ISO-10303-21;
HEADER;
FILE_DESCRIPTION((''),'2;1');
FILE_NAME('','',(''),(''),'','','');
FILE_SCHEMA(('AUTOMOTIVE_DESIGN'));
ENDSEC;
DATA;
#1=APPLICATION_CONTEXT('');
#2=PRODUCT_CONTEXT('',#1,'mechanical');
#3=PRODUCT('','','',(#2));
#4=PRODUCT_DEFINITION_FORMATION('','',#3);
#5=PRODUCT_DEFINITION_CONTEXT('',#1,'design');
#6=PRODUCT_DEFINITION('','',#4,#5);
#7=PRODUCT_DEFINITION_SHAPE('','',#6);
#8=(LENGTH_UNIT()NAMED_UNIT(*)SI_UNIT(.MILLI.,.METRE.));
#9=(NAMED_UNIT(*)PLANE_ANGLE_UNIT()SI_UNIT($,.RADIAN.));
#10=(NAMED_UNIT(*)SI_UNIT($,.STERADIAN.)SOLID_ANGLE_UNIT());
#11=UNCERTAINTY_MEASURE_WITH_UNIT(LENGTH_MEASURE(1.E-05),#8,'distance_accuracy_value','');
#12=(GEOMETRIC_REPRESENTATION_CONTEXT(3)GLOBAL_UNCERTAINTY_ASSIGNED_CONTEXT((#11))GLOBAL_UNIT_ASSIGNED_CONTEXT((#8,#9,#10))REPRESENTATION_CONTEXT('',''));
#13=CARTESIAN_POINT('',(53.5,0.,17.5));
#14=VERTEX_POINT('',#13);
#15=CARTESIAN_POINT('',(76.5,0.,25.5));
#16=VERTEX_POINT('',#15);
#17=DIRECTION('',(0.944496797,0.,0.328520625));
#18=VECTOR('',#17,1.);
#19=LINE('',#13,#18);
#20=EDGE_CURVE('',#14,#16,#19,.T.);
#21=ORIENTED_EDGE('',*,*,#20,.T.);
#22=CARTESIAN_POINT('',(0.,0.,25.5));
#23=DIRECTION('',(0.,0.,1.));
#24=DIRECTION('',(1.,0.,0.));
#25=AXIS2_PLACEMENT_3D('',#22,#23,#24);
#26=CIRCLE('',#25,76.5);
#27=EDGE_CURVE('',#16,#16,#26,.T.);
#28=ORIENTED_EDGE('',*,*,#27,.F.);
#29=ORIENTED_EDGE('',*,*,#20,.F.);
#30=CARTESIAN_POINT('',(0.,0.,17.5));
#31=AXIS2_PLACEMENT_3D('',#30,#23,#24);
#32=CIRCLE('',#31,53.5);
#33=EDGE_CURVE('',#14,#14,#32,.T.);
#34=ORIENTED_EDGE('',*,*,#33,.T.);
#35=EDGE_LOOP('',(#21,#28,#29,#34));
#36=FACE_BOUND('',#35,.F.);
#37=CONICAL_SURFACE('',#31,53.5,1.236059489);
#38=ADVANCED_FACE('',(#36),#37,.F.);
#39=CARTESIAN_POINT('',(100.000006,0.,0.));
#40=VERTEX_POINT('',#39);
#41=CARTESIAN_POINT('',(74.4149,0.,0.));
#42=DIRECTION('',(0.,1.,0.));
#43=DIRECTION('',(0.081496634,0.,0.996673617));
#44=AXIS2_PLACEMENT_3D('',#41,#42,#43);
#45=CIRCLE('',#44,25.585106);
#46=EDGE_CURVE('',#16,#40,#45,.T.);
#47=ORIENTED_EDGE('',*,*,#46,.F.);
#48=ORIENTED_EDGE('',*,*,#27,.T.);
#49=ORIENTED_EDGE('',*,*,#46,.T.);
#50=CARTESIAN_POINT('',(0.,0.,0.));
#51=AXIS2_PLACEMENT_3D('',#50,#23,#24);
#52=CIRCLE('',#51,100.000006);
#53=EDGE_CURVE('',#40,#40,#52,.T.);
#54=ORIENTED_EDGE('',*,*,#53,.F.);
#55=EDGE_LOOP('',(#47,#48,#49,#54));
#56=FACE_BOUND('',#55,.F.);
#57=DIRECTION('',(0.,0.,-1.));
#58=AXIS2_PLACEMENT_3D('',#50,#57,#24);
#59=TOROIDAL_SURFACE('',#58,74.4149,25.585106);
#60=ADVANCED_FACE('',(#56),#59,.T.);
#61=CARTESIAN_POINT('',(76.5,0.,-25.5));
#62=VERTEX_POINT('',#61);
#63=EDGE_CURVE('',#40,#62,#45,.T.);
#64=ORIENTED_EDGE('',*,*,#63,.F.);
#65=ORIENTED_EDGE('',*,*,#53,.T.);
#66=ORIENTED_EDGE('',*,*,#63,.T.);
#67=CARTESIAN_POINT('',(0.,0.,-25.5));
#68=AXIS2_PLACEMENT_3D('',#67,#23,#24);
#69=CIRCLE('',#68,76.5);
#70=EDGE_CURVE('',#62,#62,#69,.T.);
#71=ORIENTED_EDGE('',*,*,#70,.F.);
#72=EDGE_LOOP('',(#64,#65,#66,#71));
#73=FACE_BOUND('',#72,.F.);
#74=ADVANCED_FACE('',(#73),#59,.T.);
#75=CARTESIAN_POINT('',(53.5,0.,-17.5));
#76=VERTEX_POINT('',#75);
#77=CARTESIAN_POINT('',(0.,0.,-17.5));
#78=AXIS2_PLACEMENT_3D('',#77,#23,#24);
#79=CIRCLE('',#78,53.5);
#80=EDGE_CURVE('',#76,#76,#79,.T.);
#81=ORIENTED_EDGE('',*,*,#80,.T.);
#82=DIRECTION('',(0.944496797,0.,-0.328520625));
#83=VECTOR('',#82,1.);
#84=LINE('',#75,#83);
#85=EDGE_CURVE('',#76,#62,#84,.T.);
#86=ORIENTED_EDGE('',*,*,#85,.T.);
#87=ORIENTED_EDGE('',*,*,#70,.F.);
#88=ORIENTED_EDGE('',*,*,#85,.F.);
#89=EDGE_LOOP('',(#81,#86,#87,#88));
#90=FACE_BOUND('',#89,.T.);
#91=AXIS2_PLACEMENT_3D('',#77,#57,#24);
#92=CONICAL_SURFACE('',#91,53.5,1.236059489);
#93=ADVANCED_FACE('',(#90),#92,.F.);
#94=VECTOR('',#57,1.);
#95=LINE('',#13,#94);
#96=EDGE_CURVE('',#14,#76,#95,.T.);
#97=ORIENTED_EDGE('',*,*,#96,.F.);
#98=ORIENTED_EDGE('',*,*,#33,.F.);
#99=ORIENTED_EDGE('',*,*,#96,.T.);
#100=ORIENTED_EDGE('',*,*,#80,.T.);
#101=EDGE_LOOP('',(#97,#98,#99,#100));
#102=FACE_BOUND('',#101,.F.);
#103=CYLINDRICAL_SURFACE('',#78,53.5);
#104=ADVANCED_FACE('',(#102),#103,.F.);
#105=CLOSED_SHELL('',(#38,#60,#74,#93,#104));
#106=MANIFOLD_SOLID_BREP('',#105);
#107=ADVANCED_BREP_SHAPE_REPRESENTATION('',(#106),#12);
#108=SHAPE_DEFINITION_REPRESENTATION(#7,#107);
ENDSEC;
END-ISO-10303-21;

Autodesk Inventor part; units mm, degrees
ref_plane "YZ Plane" through (0, 0, 0) normal (1, 0, 0) x (0, 1, 0)
ref_plane "XZ Plane" through (0, 0, 0) normal (0, 1, 0) x (-1, 0, 0)
ref_plane "XY Plane" through (0, 0, 0) normal (0, 0, 1) x (1, 0, 0)
sketch "Sketch1" plane through (0, 0, 0) normal (0, 1, 0) x (-1, 0, 0)
  line L0 (-44.2, 0) -> (-109.3, 0) projected
  line L1 (0, -101.6185) -> (0, 104.2113) projected
  line L2 (-53.5, -17.5) -> (-53.5, 17.5)
  line L3 (-53.5, -17.5) -> (-76.5, -25.5)
  line L4 (-53.5, 17.5) -> (-76.5, 25.5)
  line L5 (-100, -72.2142) -> (-100, 74.8071) construction
  arc A0 (-76.5, 25.5) -> (-76.5, -25.5) centre (-74.4149, 0) ccw
  point P0 (-100, 0)
  dimension "d0" = 35
  dimension "d1" = 107
  dimension "d2" = 23
  dimension "d3" = 23
  dimension "d4" = 8
  dimension "d5" = 8
  dimension "d6" = 200
revolve "Revolution1" add sketch "Sketch1" angle 360 about axis through (0, 0, -10) along (0, 0, 1)
equation "\"d2\" = d3"
equation "\"d5\" = d4"
properties part number "Wheel Tyre"
